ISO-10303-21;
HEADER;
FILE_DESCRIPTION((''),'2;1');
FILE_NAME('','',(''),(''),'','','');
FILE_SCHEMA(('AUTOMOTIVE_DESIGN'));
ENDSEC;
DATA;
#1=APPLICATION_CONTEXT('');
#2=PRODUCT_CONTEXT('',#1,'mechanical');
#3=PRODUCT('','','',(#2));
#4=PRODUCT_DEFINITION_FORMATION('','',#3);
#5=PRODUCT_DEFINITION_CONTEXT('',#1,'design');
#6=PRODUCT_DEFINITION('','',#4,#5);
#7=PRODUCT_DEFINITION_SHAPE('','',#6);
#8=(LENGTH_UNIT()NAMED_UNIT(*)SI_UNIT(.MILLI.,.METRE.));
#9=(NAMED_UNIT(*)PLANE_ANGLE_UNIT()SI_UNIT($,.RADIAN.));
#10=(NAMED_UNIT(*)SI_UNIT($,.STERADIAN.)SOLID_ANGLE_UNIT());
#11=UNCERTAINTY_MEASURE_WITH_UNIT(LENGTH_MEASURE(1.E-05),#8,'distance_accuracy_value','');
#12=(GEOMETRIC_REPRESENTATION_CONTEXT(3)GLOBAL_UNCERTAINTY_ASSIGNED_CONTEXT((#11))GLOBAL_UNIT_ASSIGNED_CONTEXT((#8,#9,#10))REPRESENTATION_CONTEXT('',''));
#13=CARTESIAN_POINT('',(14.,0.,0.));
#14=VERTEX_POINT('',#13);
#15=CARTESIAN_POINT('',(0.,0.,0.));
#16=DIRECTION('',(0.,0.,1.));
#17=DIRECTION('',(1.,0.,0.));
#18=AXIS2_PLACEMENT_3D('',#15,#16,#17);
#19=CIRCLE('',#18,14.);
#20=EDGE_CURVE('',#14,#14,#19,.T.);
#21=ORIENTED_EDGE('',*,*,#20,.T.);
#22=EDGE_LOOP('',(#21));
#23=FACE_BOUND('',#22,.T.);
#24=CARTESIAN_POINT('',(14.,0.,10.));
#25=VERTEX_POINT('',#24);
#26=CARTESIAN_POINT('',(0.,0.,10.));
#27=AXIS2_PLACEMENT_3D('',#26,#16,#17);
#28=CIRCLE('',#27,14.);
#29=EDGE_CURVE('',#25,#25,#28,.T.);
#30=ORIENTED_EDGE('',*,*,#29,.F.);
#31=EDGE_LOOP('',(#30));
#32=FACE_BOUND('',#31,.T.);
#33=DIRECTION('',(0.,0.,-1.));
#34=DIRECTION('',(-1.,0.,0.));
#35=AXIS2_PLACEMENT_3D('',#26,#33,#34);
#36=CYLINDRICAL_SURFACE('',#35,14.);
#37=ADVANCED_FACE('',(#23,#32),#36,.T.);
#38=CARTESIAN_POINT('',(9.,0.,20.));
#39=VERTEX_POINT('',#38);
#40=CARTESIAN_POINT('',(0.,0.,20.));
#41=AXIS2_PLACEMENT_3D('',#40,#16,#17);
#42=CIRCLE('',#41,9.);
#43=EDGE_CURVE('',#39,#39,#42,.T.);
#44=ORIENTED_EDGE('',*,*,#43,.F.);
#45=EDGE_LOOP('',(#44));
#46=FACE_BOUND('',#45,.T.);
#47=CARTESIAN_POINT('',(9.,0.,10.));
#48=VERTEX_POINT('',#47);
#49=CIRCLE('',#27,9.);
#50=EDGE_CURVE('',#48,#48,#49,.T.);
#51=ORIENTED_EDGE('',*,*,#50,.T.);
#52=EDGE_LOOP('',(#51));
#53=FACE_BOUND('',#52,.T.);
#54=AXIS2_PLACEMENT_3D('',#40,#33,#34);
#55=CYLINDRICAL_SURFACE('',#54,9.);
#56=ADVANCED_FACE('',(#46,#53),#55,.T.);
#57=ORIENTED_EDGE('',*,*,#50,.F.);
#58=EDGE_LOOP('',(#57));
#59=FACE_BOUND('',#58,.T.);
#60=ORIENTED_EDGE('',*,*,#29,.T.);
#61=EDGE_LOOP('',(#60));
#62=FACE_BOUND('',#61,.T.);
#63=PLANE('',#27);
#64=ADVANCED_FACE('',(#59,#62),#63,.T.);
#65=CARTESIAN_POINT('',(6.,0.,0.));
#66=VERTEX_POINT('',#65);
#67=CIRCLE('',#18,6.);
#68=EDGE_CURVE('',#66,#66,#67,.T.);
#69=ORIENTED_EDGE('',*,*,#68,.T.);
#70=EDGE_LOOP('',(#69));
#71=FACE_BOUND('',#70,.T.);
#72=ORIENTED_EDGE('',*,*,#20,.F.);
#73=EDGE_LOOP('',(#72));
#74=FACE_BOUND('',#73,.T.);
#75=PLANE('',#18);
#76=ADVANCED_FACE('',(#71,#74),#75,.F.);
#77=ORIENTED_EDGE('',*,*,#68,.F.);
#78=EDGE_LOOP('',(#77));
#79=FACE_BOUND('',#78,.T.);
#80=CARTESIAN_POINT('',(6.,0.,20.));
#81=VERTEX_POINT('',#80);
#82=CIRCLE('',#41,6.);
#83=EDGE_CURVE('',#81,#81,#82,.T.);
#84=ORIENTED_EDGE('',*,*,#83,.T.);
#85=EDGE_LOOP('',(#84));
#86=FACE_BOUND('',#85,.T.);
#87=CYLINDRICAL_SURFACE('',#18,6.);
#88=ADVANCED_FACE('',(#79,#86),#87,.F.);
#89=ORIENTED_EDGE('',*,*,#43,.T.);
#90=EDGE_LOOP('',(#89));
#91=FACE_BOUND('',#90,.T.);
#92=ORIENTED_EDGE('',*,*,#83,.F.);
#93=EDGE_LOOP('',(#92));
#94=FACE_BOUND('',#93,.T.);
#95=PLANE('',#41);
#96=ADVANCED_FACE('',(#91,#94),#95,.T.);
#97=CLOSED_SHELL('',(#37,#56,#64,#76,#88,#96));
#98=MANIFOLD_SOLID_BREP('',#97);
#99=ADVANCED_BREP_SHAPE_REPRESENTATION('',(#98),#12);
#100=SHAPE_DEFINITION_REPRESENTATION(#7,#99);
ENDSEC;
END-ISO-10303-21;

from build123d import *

# Parameters (mm, degrees)
SKETCH_1_R          = 14
EXTRUDE_1_DEPTH     = 10
SKETCH_2_R          = 9
EXTRUDE_2_DEPTH     = 10
SKETCH_3_R          = 6
CUT_EXTRUDE_1_DEPTH = 21


with BuildPart() as part:
    # 草图1 → 凸台-拉伸1 (new body)
    with BuildSketch(Plane.XY):
        Circle(SKETCH_1_R)
    extrude(amount=EXTRUDE_1_DEPTH)

    # 草图2 → 凸台-拉伸2 (add)
    with BuildSketch(Plane.XY.offset(10)):
        Circle(SKETCH_2_R)
    extrude(amount=EXTRUDE_2_DEPTH)

    # 草图3 → 切除-拉伸1 (cut, through all)
    with BuildSketch(Plane.XY.offset(20)):
        Circle(SKETCH_3_R)
    extrude(amount=-CUT_EXTRUDE_1_DEPTH, mode=Mode.SUBTRACT)


solid = part.part
